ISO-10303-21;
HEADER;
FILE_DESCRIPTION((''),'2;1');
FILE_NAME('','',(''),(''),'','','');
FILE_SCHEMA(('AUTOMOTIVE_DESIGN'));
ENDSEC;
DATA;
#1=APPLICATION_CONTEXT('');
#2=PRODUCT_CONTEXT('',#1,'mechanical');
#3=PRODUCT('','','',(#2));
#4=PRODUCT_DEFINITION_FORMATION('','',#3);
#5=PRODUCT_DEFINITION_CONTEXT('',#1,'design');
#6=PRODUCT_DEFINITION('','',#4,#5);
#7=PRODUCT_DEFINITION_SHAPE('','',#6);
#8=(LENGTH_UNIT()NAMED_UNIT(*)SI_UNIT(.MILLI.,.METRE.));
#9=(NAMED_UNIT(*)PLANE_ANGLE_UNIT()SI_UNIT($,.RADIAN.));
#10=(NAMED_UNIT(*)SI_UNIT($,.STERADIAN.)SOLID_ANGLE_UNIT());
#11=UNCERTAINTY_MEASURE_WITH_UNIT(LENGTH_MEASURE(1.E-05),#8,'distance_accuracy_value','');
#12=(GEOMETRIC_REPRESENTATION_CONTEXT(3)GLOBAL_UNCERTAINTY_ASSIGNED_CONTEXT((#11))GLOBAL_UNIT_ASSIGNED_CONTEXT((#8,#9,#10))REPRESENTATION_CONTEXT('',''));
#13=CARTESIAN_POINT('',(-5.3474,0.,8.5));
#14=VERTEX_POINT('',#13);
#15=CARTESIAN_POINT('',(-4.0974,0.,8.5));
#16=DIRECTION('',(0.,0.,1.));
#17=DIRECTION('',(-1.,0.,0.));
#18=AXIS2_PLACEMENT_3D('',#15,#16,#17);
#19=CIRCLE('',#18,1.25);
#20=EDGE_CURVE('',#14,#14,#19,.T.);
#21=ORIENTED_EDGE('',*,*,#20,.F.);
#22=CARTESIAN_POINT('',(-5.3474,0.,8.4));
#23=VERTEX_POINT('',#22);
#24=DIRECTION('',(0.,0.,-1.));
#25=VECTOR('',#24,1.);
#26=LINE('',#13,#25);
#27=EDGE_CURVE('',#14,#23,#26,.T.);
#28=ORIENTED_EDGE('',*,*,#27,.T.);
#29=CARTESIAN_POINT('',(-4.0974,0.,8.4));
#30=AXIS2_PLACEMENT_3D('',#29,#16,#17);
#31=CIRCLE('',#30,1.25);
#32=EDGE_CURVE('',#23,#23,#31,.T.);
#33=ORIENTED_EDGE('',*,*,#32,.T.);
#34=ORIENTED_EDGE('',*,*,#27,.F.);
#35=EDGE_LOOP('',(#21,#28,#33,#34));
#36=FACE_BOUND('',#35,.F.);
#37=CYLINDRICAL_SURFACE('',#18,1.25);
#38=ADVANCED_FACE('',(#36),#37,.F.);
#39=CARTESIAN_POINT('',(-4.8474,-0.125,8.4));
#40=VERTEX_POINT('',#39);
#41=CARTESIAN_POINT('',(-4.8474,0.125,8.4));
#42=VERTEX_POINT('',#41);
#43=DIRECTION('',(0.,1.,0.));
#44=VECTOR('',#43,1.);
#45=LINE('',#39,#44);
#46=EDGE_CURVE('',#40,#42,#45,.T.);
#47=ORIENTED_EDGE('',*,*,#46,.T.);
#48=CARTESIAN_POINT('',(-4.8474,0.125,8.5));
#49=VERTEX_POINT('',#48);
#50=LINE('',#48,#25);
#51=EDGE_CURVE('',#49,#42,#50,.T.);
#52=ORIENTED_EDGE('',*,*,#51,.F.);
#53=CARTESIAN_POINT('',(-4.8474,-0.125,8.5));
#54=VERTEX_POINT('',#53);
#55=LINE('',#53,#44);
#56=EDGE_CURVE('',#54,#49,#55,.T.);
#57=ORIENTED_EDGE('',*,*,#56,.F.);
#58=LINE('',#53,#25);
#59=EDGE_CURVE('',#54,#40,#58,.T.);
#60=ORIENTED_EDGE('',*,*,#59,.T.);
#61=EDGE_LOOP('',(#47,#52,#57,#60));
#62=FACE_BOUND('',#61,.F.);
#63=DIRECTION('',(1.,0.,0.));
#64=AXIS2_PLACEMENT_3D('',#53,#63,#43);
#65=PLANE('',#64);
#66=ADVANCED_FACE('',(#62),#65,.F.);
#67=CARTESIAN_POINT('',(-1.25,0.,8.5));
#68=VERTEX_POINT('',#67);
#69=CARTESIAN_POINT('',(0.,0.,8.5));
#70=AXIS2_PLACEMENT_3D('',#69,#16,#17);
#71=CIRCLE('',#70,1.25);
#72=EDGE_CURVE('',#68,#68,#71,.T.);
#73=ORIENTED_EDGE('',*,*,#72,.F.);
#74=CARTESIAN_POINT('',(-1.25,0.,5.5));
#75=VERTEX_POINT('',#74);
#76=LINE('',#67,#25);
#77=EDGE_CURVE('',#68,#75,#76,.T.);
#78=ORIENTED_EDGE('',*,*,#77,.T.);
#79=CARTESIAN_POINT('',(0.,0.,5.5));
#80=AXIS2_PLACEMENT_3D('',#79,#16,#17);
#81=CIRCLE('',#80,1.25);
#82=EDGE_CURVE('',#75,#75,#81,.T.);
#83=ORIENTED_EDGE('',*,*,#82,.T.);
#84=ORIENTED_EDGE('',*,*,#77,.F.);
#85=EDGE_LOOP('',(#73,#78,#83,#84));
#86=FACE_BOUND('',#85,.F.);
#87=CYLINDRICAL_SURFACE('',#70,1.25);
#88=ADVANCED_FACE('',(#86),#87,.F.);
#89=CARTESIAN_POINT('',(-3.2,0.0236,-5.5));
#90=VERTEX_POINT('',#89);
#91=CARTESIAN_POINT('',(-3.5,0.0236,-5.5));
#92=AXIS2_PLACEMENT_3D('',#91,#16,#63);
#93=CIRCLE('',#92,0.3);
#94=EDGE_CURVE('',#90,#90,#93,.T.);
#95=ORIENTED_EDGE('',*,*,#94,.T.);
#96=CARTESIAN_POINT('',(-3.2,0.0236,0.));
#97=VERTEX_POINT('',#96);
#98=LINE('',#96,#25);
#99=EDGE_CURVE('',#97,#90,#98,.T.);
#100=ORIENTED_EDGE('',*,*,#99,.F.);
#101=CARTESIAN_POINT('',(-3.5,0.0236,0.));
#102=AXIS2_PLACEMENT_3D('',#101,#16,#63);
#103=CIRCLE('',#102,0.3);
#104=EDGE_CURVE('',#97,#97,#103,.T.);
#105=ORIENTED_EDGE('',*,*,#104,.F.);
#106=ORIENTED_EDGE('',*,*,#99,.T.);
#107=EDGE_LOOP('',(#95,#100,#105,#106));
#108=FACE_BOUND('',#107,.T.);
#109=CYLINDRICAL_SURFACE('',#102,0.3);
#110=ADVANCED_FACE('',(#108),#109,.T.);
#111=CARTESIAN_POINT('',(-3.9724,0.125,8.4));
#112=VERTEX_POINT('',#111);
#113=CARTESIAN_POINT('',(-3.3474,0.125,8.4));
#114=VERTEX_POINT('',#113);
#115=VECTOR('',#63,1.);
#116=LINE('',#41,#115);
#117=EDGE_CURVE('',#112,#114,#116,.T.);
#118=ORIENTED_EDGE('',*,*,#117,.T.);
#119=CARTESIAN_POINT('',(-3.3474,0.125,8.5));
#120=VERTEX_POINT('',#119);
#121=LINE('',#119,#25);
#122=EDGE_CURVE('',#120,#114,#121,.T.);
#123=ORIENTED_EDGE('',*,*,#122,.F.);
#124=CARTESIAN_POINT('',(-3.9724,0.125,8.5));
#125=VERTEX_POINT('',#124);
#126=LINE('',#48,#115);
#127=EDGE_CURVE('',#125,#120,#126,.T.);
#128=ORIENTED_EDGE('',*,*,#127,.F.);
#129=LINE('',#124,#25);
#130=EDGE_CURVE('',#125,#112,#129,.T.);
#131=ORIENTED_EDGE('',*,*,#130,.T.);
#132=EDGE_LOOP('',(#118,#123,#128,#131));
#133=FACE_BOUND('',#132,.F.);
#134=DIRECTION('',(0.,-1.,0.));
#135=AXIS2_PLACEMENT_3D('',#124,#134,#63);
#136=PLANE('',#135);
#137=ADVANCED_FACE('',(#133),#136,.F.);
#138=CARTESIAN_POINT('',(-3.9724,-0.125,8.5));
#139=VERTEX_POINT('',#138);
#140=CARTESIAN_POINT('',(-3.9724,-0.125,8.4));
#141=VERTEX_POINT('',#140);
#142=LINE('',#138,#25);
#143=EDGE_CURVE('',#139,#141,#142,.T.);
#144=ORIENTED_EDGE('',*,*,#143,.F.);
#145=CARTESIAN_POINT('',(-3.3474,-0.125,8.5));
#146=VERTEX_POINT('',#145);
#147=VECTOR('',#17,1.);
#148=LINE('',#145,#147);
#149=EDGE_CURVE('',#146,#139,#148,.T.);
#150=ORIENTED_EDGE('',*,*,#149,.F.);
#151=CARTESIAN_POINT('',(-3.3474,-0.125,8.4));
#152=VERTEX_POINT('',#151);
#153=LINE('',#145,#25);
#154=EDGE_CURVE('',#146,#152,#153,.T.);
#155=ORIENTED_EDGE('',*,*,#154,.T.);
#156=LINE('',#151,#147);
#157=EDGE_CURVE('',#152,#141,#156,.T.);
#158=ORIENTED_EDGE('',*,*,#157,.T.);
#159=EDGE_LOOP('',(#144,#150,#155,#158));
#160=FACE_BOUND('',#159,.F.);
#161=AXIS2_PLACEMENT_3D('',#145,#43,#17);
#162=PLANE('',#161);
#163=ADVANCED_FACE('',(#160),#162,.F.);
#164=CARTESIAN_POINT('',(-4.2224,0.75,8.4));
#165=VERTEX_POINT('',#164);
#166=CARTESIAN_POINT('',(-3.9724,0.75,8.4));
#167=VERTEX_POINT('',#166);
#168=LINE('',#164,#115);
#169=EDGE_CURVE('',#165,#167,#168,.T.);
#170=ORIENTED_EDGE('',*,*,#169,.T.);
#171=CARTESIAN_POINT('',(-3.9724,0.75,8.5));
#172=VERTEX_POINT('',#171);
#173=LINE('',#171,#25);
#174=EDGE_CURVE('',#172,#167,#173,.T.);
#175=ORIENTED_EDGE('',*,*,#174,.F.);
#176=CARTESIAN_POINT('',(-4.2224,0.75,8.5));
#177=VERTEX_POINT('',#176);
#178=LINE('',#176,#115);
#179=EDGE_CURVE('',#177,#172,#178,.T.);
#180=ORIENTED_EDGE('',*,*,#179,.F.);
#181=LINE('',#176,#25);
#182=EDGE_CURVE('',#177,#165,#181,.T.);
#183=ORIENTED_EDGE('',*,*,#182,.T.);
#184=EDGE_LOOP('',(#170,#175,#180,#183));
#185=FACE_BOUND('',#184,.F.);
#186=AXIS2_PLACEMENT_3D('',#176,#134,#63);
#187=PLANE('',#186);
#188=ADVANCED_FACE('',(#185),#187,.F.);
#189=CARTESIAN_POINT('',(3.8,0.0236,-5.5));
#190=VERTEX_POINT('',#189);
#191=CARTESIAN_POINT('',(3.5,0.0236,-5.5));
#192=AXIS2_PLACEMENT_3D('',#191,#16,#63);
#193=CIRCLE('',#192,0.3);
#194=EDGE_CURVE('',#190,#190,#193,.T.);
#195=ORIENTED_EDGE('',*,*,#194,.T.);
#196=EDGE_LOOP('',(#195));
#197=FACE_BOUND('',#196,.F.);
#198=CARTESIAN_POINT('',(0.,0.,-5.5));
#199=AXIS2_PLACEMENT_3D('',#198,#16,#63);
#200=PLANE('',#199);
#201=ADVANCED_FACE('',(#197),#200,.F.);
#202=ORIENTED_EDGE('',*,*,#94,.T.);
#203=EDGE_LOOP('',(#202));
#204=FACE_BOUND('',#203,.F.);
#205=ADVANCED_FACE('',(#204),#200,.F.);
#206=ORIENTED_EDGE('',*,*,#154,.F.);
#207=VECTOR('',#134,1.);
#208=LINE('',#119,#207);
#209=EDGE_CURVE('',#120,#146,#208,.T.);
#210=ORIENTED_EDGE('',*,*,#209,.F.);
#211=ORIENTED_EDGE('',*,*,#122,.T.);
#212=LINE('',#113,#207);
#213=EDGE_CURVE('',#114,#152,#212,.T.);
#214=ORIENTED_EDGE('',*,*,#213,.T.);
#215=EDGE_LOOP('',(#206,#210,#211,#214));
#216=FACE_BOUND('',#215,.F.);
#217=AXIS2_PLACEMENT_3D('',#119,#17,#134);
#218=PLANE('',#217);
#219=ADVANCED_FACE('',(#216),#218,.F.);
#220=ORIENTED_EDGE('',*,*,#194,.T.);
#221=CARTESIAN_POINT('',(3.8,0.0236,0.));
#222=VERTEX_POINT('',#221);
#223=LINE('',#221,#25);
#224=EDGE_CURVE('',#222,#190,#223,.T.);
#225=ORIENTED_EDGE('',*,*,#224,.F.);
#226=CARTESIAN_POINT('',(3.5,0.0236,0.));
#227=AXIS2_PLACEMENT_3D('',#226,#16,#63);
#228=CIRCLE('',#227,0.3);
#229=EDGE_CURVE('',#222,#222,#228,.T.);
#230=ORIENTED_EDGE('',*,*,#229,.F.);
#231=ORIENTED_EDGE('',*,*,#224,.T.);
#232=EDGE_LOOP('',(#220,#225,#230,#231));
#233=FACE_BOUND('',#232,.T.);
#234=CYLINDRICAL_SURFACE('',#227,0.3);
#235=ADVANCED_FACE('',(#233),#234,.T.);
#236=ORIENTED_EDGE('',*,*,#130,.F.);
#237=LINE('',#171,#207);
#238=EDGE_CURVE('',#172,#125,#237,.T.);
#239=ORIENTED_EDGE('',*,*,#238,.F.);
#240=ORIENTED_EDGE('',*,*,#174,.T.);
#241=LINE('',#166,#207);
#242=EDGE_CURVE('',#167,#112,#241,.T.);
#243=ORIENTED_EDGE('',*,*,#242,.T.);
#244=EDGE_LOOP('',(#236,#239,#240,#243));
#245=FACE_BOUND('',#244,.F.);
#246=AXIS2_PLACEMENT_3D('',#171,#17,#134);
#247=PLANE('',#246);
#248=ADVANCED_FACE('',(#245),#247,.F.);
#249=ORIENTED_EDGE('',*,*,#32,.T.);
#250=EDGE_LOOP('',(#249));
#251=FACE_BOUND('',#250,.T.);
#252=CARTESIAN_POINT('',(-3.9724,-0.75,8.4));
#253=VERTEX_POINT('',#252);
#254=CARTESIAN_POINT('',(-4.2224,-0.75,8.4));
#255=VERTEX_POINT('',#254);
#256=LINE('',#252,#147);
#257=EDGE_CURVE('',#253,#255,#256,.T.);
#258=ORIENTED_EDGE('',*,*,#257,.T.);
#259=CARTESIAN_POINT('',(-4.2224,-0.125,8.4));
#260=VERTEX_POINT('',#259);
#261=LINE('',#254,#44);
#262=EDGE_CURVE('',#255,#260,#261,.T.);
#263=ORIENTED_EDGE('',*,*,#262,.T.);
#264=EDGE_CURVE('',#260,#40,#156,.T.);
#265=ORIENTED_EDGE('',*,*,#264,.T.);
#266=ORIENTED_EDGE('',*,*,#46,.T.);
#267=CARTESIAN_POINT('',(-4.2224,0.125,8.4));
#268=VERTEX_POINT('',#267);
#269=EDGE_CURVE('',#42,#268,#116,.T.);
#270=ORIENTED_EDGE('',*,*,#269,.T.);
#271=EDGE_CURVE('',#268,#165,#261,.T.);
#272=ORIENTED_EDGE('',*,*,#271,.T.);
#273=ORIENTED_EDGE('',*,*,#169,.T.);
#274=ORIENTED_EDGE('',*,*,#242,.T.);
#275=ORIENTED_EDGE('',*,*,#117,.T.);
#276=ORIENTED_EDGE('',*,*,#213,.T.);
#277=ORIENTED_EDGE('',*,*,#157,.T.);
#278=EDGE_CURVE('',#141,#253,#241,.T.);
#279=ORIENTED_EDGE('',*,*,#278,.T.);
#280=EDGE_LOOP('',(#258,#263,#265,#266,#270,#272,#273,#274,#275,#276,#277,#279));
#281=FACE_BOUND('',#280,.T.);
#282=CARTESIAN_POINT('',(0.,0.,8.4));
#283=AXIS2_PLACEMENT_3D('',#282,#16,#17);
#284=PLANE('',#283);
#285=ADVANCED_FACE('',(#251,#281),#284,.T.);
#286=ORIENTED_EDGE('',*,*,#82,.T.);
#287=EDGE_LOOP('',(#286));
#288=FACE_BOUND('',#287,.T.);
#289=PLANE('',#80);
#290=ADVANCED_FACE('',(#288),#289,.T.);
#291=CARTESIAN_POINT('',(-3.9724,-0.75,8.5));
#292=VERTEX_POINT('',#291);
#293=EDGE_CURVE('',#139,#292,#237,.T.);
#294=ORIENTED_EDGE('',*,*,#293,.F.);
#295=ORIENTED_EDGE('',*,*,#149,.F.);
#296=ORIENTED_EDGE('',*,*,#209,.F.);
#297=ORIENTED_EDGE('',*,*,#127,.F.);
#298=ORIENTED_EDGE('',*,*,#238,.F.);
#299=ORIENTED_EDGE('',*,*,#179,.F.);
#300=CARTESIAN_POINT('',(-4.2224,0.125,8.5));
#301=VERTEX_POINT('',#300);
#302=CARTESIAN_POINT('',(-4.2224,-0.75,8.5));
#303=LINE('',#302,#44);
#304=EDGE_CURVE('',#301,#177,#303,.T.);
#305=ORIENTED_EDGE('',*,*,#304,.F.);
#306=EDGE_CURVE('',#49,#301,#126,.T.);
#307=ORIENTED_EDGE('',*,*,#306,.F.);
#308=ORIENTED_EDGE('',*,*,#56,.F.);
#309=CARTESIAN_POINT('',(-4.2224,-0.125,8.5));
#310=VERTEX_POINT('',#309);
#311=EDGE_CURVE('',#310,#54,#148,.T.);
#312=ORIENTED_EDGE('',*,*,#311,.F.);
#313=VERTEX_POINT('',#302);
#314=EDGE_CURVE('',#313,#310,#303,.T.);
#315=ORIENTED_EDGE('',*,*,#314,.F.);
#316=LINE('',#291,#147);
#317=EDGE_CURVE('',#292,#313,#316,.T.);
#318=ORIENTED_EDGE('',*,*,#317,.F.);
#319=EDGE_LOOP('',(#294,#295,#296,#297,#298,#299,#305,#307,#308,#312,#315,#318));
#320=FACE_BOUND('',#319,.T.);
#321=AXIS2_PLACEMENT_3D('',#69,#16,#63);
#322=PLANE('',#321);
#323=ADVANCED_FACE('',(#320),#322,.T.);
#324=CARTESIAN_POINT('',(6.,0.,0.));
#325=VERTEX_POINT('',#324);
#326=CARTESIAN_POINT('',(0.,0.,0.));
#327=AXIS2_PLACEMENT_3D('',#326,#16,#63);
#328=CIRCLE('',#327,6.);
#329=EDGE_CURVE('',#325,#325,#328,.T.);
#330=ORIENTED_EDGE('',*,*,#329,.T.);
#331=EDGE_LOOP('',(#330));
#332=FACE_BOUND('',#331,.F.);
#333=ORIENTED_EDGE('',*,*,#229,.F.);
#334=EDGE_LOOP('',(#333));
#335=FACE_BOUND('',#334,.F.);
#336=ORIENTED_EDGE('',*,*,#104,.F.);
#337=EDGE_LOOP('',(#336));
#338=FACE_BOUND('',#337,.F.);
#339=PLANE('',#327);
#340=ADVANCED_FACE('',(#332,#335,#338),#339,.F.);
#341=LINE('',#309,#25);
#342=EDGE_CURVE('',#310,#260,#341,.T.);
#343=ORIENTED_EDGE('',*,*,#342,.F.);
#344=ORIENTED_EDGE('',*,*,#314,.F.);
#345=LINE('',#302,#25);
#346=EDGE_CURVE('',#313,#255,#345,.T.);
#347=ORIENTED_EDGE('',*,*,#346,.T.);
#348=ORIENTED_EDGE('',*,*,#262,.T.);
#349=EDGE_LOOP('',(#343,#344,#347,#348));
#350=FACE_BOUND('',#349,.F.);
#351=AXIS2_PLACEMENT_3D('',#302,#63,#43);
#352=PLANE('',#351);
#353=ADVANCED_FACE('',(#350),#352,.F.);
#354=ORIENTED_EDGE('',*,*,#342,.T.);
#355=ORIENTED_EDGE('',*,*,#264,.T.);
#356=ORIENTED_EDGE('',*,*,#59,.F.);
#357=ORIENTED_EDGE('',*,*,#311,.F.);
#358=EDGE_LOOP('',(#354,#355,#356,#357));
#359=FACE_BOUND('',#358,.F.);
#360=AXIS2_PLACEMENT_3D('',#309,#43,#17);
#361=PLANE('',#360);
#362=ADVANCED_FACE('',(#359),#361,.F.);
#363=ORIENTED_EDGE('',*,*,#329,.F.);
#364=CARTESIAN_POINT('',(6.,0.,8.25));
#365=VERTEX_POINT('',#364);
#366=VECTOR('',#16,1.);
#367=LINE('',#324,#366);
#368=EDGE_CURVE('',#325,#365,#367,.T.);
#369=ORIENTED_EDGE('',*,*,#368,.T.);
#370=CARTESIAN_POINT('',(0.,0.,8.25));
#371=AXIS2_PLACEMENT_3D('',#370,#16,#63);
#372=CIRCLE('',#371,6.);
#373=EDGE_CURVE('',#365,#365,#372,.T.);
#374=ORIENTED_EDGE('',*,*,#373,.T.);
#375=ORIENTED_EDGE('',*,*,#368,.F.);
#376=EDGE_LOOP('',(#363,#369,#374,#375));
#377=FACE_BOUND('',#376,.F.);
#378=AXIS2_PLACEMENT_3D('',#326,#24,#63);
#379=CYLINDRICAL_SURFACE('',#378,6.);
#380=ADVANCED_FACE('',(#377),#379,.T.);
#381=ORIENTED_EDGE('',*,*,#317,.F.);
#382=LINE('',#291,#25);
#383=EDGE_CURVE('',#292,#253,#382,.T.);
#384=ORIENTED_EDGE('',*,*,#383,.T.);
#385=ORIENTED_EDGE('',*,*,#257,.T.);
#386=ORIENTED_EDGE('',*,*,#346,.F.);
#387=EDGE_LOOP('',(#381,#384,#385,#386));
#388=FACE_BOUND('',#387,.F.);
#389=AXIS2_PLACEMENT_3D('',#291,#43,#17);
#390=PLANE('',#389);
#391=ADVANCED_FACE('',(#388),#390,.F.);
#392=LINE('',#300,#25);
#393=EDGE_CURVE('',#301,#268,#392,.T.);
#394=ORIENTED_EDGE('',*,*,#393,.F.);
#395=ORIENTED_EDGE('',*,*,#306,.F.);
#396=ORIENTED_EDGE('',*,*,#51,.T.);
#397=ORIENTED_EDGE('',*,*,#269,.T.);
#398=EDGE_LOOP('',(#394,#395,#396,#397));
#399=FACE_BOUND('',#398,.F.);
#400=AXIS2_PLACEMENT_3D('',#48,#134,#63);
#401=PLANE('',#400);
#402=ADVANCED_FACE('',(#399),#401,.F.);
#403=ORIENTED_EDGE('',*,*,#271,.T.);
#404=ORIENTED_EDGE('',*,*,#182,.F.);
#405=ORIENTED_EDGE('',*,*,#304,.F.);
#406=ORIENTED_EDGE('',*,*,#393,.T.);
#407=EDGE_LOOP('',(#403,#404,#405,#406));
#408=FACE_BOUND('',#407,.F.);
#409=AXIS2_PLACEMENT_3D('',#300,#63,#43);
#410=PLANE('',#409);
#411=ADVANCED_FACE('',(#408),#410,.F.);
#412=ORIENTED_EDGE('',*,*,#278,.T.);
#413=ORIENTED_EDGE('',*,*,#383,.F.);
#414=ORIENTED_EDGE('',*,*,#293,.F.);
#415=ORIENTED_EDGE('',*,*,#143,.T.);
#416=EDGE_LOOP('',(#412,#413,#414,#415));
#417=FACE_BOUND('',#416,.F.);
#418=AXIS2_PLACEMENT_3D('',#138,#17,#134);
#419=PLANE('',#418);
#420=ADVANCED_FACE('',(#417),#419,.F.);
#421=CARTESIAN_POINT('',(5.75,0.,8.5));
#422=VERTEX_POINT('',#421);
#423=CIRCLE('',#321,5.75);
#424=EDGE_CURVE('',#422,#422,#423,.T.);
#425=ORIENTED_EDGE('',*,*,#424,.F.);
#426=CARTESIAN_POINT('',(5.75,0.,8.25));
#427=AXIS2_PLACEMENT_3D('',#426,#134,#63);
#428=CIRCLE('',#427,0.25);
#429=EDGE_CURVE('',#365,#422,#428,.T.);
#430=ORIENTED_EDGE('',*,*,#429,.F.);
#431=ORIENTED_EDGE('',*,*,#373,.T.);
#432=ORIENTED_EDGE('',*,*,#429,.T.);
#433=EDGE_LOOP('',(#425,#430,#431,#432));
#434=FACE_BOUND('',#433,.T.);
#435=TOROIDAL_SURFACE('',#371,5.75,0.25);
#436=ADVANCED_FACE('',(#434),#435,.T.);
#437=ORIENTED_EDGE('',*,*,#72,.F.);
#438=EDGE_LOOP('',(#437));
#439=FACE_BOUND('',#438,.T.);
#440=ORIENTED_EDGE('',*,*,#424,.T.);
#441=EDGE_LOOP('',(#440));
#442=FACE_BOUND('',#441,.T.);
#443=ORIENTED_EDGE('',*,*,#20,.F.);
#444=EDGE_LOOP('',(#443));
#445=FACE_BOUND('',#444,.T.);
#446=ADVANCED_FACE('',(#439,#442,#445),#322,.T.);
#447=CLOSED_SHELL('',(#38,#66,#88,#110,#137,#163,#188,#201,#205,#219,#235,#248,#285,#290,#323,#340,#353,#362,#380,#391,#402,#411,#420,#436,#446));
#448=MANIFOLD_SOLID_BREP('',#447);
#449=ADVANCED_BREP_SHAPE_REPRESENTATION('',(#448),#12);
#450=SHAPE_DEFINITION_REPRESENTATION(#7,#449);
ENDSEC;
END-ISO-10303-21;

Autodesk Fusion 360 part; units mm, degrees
sketch "Sketch1" plane through (0, 0, 0) normal (0, 0, 1) x (1, 0, 0)
  circle A0 centre (0, 0) radius 6
  circle A1 centre (0, 0) radius 1.25
  line L0 (-6, 0.0236) -> (6, 0.0236) construction
  line L1 (-6, 0.0236) -> (-3.5, 0.0236) construction
  line L2 (6, 0.0236) -> (3.5, 0.0236) construction
  circle A2 centre (3.5, 0.0236) radius 0.3
  circle A3 centre (-3.5, 0.0236) radius 0.3
  dimension "d1" = 12
  dimension "d2" = 2.5
  dimension "d3" = 2.5
  dimension "d5" = 2.5
  dimension "d6" = 0.6
  dimension "d7" = 0.6
extrude "Extrude1" add sketch "Sketch1" along normal blind 8.5 contours A0 | A1 | A2 | A3
sketch "Sketch2" plane through (0, 0, 8.5) normal (0, 0, 1) x (-1, 0, 0)
  circle A0 centre (0, 0) radius 6
  circle A1 centre (0, 0) radius 1.25
  circle A2 centre (4.0974, 0) radius 1.25
  line L0 (3.9724, 0.75) -> (4.2224, 0.75)
  line L1 (4.2224, 0.75) -> (4.2224, -0.75)
  line L2 (4.2224, -0.75) -> (3.9724, -0.75)
  line L3 (3.9724, -0.75) -> (3.9724, 0.75)
  line L4 (3.9724, 0.75) -> (4.2224, -0.75) construction
  line L5 (4.2224, 0.75) -> (3.9724, -0.75) construction
  line L6 (4.8474, -0.125) -> (3.3474, -0.125)
  line L7 (4.8474, 0.125) -> (4.8474, -0.125)
  line L8 (3.3474, 0.125) -> (4.8474, 0.125)
  line L9 (3.3474, -0.125) -> (3.3474, 0.125)
  point P0 (4.0974, 0)
  dimension "d14" = 2.5
  dimension "d15" = 1.5
  dimension "d16" = 0.25
  dimension "d18" = 90
extrude "Extrude4" cut sketch "Sketch2" against normal blind 0.1 contours A2
extrude "Extrude2" cut sketch "Sketch2" against normal blind 3 contours A1
extrude "Extrude3" add sketch "Sketch1" against normal blind 5.5 contours A2 | A3
fillet "Fillet1" radius 0.25 1 edges at (-5.594, -2.1697, 8.5)
